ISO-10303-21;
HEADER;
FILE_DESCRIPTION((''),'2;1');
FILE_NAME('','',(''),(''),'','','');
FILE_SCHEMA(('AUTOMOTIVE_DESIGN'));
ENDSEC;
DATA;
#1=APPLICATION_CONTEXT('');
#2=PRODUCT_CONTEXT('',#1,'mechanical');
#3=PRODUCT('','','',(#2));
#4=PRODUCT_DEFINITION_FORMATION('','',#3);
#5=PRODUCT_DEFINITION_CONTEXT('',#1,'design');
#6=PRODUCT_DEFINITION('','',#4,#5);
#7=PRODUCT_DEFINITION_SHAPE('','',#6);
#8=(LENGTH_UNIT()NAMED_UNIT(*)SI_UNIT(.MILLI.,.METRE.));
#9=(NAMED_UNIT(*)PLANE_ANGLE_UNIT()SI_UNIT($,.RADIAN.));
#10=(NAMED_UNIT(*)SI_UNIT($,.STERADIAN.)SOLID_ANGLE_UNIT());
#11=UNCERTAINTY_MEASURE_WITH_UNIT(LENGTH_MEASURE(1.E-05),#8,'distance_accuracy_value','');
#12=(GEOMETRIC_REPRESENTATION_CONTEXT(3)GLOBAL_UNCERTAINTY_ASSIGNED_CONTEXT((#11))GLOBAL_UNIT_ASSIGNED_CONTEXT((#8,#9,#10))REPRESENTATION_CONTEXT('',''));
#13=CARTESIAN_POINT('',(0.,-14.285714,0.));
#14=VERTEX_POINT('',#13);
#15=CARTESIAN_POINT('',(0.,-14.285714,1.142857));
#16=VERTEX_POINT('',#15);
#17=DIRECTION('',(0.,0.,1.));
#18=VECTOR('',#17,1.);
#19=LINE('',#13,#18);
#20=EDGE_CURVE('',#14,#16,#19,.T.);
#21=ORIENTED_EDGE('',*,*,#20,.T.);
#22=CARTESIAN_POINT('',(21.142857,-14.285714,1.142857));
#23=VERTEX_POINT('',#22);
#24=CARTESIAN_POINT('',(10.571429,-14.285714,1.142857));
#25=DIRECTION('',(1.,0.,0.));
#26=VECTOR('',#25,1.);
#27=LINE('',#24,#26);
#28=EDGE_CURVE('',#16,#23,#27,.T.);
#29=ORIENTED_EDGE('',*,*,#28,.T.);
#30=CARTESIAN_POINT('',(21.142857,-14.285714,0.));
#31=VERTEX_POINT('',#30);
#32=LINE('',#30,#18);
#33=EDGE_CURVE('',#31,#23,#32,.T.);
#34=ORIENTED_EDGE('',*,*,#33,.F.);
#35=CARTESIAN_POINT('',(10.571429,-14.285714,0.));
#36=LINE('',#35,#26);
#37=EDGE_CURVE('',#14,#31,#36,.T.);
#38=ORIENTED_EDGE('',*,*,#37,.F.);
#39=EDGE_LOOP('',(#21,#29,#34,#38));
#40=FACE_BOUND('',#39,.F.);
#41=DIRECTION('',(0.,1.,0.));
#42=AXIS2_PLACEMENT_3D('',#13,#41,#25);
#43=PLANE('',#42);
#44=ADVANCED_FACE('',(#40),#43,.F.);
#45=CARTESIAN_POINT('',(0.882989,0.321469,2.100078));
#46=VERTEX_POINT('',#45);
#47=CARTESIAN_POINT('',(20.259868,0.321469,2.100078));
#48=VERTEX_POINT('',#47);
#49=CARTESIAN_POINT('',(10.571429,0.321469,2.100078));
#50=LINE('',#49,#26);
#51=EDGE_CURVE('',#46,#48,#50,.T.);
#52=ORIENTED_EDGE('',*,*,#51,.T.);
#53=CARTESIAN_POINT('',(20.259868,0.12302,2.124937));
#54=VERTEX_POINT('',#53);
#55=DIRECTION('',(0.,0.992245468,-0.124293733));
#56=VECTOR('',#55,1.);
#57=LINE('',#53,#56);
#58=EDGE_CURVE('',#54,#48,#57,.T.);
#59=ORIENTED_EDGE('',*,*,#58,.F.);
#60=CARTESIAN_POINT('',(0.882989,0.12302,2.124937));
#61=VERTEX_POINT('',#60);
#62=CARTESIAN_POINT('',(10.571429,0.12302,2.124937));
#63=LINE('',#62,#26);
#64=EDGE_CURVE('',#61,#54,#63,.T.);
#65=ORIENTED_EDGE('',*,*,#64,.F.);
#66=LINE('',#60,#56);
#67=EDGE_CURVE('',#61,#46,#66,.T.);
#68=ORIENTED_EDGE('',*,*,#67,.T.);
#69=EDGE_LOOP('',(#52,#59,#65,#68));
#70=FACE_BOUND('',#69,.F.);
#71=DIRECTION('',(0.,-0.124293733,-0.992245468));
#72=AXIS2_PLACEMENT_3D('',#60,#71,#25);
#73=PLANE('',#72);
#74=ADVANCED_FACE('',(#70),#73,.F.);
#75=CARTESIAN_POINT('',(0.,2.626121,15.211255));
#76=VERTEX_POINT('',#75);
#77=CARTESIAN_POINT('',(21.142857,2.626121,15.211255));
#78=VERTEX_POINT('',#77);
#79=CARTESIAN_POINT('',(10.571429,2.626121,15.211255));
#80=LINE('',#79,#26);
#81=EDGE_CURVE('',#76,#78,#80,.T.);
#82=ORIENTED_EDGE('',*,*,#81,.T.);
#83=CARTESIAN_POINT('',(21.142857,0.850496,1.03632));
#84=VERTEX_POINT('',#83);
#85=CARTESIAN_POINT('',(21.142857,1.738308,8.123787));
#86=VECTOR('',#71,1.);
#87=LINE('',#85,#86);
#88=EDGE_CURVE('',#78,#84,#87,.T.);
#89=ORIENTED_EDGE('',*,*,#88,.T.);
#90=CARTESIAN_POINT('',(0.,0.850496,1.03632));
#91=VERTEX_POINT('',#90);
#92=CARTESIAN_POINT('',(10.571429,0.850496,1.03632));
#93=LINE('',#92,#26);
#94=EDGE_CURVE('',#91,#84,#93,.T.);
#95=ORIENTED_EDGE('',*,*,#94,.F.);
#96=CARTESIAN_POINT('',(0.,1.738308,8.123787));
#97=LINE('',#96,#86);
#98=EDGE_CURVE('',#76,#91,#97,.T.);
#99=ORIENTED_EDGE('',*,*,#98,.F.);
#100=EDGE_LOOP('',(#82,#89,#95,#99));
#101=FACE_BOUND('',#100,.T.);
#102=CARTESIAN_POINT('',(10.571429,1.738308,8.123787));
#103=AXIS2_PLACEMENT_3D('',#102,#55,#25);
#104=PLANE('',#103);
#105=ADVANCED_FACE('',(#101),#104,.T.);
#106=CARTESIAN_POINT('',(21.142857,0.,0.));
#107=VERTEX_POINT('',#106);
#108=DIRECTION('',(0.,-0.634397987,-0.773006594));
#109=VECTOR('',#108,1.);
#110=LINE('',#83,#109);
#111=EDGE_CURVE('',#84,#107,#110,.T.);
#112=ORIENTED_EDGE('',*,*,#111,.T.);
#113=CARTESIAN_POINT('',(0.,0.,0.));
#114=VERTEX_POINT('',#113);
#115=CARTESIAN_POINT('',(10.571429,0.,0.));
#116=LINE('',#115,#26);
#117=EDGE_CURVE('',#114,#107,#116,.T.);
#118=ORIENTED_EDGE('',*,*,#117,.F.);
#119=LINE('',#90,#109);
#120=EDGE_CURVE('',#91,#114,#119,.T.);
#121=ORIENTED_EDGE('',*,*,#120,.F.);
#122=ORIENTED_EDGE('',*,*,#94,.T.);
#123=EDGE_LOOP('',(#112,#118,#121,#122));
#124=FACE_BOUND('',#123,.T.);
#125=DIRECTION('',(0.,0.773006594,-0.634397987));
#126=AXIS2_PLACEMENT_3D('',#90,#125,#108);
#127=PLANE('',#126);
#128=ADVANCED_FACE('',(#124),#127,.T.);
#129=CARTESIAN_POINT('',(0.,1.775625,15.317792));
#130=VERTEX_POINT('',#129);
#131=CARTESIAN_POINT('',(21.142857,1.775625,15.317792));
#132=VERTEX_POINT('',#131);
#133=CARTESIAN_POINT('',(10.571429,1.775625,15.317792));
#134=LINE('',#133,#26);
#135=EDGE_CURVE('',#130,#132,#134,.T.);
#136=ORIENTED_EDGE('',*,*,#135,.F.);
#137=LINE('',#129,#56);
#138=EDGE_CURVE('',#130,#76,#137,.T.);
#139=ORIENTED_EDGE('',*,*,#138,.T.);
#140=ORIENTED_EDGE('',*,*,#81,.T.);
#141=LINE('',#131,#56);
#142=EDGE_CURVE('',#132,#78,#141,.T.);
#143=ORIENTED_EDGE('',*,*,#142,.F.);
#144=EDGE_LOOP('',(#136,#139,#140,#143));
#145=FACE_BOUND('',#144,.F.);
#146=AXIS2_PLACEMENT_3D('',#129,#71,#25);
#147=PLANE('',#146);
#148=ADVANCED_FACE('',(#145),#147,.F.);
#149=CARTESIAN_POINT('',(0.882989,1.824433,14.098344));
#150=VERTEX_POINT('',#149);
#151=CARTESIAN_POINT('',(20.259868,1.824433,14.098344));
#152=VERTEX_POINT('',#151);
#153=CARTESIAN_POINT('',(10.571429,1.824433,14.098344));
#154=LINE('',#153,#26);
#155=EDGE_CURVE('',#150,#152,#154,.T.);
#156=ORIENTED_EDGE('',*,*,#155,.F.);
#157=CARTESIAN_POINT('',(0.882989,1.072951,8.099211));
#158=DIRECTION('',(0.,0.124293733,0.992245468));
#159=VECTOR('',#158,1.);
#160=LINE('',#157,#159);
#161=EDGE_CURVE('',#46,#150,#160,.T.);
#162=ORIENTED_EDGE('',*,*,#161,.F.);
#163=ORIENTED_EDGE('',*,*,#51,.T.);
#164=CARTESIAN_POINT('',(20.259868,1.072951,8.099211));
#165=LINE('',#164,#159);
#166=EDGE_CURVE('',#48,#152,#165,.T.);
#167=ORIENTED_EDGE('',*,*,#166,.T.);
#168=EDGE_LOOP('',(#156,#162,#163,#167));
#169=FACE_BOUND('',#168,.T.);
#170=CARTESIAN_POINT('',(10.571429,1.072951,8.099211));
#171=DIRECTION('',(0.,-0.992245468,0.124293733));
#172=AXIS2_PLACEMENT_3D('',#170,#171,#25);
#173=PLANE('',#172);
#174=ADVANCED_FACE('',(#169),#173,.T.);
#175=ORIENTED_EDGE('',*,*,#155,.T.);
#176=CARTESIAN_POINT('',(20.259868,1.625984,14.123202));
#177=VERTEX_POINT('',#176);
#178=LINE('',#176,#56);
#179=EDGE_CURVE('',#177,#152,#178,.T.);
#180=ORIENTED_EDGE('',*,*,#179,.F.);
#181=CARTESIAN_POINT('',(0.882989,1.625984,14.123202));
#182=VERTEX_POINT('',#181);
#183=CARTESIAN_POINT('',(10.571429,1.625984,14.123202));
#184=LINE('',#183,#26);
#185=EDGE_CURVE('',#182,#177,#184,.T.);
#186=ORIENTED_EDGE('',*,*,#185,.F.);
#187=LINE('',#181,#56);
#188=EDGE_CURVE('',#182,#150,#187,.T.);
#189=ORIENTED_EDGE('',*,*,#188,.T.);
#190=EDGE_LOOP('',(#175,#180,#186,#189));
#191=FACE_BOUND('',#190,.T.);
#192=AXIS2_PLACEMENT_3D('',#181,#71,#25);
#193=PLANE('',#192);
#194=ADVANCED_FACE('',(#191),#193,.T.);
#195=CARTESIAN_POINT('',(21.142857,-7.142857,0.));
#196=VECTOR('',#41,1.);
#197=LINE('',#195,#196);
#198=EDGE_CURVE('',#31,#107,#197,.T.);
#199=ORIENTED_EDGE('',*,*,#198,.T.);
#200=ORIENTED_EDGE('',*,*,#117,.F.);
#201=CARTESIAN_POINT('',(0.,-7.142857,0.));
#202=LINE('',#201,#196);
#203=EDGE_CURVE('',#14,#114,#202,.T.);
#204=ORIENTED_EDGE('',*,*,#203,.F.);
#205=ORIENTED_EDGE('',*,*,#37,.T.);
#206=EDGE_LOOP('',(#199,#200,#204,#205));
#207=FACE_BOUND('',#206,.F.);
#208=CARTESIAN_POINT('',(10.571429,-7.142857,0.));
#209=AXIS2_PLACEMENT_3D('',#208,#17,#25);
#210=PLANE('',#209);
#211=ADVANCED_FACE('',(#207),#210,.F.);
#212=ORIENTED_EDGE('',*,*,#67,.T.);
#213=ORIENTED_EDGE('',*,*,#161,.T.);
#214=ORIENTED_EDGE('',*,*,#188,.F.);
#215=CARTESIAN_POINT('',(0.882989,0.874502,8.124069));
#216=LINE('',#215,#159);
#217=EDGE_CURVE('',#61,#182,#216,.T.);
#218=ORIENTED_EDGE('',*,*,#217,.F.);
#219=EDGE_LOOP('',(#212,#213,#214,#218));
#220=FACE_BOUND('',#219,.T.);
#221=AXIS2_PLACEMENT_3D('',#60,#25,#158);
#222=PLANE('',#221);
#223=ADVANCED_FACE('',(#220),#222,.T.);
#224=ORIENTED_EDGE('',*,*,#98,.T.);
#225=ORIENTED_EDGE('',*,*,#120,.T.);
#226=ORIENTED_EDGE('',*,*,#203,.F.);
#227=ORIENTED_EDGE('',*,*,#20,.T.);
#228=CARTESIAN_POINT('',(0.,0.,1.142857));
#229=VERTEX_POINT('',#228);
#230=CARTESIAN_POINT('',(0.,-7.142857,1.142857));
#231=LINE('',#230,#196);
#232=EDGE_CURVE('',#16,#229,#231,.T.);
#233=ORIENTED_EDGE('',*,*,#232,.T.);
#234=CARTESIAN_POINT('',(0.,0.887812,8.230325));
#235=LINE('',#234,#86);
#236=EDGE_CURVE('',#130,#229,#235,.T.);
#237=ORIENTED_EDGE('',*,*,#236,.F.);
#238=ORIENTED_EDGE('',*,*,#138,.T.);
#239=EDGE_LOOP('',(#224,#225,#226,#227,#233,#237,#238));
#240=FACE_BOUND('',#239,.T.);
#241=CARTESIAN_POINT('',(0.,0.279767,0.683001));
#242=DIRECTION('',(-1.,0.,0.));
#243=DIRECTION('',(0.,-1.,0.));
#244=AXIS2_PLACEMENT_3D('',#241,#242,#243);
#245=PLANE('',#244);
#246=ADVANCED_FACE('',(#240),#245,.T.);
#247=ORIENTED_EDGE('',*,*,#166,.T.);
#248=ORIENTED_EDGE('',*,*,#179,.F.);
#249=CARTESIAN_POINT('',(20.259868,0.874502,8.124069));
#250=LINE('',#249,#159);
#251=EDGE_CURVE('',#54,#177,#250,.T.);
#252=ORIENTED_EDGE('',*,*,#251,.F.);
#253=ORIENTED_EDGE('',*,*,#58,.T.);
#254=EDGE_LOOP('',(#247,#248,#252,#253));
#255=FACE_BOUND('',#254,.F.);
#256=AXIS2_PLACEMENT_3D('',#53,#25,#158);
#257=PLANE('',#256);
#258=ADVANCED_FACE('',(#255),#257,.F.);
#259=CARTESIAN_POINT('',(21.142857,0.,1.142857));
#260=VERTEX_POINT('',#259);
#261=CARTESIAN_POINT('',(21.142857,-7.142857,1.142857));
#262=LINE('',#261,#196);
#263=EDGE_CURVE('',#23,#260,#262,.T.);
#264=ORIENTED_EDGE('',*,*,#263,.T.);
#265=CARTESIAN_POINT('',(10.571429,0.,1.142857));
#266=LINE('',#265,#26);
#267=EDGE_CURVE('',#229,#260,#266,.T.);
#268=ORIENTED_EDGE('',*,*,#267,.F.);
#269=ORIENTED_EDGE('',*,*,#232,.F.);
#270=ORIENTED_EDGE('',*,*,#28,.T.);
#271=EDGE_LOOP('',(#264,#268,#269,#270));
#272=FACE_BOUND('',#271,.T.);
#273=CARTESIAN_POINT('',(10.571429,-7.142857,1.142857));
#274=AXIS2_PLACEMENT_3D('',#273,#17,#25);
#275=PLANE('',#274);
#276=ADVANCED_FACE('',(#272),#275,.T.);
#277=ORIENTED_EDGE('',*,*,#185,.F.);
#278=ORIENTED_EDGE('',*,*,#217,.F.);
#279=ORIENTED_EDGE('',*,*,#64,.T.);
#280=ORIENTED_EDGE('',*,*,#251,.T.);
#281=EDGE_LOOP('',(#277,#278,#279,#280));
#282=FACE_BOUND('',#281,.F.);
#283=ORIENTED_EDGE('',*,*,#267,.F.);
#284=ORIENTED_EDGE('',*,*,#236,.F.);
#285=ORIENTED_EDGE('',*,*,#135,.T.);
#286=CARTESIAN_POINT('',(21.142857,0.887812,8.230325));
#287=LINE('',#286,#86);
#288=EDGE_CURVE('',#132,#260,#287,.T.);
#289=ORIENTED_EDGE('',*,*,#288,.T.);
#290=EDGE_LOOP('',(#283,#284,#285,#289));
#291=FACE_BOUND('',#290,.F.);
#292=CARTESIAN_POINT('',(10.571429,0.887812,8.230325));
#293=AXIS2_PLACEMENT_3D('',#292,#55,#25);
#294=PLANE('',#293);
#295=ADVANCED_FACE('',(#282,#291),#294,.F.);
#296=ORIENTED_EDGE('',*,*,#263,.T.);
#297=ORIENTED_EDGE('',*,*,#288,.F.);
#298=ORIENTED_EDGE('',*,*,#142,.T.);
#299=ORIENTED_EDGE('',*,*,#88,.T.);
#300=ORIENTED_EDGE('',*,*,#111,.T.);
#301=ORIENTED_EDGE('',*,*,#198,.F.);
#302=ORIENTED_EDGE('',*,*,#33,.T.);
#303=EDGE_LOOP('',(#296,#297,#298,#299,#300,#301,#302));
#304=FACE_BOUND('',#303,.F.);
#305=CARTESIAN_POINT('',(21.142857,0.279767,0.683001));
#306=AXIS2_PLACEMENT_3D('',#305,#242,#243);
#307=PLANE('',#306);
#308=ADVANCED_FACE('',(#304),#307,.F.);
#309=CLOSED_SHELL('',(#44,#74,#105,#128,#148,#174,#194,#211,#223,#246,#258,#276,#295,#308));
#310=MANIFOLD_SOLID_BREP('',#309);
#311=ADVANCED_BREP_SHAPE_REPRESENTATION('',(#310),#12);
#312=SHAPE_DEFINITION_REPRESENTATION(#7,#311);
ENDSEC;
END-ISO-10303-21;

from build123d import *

# Parameters (mm, degrees)
F1_W     = 21.1428571429
F1_H     = 14.2857142857
F2_DEPTH = 1.1428571429
F3_W     = 21.1428571429
F3_H     = 14.2857142857
F4_DEPTH = 0.8571428571
F5_ANGLE = -97.1399716164
F7_DEPTH = 21.1428571429
F8_W     = 19.3768789759
F8_H     = 12.0920338668
F9_DEPTH = 0.2


with BuildPart() as f2:
    # F1 (on Top) → F2 (new body)
    with BuildSketch(Plane.XY):
        with Locations((10.5714285714, -7.1428571429)):
            Rectangle(F1_W, F1_H)
    extrude(amount=F2_DEPTH)



with BuildPart() as f4:
    # F3 (on face) → F4 (new body)
    with BuildSketch(Plane.XY.offset(1.1428571429)):
        with Locations((10.5714285714, -7.1428571429)):
            Rectangle(F3_W, F3_H)
    extrude(amount=F4_DEPTH)


with BuildPart() as f4_1:
    # F5: moved
    add(f4.part.rotate(Axis((10.5714285714, 0, 1.1428571429), (1, 0, 0)), F5_ANGLE))


with BuildPart() as f2_1:
    add(f2.part)

    add(f4_1.part)  # F7 merges F4
    # F6 (on face) → F7 (join, through all)
    with BuildSketch(Plane(origin=(0, 0, 0), x_dir=(0, -1, 0), z_dir=(-1, 0, 0))):
        Polygon((-0.850496115, 1.0363196571), (0, 0), (0, 1.1428571429), align=None)
    extrude(amount=-F7_DEPTH)

    # F8 (on face) → F9 (cut)
    with BuildSketch(Plane(origin=(0, -0.1409484498, 0.0176559225), x_dir=(1, 0, 0), z_dir=(0, -0.9922454675, 0.1242937334))):
        with Locations((10.5714288657, 8.1697662827)):
            Rectangle(F8_W, F8_H)
    extrude(amount=-F9_DEPTH, mode=Mode.SUBTRACT)


solid = f2_1.part
